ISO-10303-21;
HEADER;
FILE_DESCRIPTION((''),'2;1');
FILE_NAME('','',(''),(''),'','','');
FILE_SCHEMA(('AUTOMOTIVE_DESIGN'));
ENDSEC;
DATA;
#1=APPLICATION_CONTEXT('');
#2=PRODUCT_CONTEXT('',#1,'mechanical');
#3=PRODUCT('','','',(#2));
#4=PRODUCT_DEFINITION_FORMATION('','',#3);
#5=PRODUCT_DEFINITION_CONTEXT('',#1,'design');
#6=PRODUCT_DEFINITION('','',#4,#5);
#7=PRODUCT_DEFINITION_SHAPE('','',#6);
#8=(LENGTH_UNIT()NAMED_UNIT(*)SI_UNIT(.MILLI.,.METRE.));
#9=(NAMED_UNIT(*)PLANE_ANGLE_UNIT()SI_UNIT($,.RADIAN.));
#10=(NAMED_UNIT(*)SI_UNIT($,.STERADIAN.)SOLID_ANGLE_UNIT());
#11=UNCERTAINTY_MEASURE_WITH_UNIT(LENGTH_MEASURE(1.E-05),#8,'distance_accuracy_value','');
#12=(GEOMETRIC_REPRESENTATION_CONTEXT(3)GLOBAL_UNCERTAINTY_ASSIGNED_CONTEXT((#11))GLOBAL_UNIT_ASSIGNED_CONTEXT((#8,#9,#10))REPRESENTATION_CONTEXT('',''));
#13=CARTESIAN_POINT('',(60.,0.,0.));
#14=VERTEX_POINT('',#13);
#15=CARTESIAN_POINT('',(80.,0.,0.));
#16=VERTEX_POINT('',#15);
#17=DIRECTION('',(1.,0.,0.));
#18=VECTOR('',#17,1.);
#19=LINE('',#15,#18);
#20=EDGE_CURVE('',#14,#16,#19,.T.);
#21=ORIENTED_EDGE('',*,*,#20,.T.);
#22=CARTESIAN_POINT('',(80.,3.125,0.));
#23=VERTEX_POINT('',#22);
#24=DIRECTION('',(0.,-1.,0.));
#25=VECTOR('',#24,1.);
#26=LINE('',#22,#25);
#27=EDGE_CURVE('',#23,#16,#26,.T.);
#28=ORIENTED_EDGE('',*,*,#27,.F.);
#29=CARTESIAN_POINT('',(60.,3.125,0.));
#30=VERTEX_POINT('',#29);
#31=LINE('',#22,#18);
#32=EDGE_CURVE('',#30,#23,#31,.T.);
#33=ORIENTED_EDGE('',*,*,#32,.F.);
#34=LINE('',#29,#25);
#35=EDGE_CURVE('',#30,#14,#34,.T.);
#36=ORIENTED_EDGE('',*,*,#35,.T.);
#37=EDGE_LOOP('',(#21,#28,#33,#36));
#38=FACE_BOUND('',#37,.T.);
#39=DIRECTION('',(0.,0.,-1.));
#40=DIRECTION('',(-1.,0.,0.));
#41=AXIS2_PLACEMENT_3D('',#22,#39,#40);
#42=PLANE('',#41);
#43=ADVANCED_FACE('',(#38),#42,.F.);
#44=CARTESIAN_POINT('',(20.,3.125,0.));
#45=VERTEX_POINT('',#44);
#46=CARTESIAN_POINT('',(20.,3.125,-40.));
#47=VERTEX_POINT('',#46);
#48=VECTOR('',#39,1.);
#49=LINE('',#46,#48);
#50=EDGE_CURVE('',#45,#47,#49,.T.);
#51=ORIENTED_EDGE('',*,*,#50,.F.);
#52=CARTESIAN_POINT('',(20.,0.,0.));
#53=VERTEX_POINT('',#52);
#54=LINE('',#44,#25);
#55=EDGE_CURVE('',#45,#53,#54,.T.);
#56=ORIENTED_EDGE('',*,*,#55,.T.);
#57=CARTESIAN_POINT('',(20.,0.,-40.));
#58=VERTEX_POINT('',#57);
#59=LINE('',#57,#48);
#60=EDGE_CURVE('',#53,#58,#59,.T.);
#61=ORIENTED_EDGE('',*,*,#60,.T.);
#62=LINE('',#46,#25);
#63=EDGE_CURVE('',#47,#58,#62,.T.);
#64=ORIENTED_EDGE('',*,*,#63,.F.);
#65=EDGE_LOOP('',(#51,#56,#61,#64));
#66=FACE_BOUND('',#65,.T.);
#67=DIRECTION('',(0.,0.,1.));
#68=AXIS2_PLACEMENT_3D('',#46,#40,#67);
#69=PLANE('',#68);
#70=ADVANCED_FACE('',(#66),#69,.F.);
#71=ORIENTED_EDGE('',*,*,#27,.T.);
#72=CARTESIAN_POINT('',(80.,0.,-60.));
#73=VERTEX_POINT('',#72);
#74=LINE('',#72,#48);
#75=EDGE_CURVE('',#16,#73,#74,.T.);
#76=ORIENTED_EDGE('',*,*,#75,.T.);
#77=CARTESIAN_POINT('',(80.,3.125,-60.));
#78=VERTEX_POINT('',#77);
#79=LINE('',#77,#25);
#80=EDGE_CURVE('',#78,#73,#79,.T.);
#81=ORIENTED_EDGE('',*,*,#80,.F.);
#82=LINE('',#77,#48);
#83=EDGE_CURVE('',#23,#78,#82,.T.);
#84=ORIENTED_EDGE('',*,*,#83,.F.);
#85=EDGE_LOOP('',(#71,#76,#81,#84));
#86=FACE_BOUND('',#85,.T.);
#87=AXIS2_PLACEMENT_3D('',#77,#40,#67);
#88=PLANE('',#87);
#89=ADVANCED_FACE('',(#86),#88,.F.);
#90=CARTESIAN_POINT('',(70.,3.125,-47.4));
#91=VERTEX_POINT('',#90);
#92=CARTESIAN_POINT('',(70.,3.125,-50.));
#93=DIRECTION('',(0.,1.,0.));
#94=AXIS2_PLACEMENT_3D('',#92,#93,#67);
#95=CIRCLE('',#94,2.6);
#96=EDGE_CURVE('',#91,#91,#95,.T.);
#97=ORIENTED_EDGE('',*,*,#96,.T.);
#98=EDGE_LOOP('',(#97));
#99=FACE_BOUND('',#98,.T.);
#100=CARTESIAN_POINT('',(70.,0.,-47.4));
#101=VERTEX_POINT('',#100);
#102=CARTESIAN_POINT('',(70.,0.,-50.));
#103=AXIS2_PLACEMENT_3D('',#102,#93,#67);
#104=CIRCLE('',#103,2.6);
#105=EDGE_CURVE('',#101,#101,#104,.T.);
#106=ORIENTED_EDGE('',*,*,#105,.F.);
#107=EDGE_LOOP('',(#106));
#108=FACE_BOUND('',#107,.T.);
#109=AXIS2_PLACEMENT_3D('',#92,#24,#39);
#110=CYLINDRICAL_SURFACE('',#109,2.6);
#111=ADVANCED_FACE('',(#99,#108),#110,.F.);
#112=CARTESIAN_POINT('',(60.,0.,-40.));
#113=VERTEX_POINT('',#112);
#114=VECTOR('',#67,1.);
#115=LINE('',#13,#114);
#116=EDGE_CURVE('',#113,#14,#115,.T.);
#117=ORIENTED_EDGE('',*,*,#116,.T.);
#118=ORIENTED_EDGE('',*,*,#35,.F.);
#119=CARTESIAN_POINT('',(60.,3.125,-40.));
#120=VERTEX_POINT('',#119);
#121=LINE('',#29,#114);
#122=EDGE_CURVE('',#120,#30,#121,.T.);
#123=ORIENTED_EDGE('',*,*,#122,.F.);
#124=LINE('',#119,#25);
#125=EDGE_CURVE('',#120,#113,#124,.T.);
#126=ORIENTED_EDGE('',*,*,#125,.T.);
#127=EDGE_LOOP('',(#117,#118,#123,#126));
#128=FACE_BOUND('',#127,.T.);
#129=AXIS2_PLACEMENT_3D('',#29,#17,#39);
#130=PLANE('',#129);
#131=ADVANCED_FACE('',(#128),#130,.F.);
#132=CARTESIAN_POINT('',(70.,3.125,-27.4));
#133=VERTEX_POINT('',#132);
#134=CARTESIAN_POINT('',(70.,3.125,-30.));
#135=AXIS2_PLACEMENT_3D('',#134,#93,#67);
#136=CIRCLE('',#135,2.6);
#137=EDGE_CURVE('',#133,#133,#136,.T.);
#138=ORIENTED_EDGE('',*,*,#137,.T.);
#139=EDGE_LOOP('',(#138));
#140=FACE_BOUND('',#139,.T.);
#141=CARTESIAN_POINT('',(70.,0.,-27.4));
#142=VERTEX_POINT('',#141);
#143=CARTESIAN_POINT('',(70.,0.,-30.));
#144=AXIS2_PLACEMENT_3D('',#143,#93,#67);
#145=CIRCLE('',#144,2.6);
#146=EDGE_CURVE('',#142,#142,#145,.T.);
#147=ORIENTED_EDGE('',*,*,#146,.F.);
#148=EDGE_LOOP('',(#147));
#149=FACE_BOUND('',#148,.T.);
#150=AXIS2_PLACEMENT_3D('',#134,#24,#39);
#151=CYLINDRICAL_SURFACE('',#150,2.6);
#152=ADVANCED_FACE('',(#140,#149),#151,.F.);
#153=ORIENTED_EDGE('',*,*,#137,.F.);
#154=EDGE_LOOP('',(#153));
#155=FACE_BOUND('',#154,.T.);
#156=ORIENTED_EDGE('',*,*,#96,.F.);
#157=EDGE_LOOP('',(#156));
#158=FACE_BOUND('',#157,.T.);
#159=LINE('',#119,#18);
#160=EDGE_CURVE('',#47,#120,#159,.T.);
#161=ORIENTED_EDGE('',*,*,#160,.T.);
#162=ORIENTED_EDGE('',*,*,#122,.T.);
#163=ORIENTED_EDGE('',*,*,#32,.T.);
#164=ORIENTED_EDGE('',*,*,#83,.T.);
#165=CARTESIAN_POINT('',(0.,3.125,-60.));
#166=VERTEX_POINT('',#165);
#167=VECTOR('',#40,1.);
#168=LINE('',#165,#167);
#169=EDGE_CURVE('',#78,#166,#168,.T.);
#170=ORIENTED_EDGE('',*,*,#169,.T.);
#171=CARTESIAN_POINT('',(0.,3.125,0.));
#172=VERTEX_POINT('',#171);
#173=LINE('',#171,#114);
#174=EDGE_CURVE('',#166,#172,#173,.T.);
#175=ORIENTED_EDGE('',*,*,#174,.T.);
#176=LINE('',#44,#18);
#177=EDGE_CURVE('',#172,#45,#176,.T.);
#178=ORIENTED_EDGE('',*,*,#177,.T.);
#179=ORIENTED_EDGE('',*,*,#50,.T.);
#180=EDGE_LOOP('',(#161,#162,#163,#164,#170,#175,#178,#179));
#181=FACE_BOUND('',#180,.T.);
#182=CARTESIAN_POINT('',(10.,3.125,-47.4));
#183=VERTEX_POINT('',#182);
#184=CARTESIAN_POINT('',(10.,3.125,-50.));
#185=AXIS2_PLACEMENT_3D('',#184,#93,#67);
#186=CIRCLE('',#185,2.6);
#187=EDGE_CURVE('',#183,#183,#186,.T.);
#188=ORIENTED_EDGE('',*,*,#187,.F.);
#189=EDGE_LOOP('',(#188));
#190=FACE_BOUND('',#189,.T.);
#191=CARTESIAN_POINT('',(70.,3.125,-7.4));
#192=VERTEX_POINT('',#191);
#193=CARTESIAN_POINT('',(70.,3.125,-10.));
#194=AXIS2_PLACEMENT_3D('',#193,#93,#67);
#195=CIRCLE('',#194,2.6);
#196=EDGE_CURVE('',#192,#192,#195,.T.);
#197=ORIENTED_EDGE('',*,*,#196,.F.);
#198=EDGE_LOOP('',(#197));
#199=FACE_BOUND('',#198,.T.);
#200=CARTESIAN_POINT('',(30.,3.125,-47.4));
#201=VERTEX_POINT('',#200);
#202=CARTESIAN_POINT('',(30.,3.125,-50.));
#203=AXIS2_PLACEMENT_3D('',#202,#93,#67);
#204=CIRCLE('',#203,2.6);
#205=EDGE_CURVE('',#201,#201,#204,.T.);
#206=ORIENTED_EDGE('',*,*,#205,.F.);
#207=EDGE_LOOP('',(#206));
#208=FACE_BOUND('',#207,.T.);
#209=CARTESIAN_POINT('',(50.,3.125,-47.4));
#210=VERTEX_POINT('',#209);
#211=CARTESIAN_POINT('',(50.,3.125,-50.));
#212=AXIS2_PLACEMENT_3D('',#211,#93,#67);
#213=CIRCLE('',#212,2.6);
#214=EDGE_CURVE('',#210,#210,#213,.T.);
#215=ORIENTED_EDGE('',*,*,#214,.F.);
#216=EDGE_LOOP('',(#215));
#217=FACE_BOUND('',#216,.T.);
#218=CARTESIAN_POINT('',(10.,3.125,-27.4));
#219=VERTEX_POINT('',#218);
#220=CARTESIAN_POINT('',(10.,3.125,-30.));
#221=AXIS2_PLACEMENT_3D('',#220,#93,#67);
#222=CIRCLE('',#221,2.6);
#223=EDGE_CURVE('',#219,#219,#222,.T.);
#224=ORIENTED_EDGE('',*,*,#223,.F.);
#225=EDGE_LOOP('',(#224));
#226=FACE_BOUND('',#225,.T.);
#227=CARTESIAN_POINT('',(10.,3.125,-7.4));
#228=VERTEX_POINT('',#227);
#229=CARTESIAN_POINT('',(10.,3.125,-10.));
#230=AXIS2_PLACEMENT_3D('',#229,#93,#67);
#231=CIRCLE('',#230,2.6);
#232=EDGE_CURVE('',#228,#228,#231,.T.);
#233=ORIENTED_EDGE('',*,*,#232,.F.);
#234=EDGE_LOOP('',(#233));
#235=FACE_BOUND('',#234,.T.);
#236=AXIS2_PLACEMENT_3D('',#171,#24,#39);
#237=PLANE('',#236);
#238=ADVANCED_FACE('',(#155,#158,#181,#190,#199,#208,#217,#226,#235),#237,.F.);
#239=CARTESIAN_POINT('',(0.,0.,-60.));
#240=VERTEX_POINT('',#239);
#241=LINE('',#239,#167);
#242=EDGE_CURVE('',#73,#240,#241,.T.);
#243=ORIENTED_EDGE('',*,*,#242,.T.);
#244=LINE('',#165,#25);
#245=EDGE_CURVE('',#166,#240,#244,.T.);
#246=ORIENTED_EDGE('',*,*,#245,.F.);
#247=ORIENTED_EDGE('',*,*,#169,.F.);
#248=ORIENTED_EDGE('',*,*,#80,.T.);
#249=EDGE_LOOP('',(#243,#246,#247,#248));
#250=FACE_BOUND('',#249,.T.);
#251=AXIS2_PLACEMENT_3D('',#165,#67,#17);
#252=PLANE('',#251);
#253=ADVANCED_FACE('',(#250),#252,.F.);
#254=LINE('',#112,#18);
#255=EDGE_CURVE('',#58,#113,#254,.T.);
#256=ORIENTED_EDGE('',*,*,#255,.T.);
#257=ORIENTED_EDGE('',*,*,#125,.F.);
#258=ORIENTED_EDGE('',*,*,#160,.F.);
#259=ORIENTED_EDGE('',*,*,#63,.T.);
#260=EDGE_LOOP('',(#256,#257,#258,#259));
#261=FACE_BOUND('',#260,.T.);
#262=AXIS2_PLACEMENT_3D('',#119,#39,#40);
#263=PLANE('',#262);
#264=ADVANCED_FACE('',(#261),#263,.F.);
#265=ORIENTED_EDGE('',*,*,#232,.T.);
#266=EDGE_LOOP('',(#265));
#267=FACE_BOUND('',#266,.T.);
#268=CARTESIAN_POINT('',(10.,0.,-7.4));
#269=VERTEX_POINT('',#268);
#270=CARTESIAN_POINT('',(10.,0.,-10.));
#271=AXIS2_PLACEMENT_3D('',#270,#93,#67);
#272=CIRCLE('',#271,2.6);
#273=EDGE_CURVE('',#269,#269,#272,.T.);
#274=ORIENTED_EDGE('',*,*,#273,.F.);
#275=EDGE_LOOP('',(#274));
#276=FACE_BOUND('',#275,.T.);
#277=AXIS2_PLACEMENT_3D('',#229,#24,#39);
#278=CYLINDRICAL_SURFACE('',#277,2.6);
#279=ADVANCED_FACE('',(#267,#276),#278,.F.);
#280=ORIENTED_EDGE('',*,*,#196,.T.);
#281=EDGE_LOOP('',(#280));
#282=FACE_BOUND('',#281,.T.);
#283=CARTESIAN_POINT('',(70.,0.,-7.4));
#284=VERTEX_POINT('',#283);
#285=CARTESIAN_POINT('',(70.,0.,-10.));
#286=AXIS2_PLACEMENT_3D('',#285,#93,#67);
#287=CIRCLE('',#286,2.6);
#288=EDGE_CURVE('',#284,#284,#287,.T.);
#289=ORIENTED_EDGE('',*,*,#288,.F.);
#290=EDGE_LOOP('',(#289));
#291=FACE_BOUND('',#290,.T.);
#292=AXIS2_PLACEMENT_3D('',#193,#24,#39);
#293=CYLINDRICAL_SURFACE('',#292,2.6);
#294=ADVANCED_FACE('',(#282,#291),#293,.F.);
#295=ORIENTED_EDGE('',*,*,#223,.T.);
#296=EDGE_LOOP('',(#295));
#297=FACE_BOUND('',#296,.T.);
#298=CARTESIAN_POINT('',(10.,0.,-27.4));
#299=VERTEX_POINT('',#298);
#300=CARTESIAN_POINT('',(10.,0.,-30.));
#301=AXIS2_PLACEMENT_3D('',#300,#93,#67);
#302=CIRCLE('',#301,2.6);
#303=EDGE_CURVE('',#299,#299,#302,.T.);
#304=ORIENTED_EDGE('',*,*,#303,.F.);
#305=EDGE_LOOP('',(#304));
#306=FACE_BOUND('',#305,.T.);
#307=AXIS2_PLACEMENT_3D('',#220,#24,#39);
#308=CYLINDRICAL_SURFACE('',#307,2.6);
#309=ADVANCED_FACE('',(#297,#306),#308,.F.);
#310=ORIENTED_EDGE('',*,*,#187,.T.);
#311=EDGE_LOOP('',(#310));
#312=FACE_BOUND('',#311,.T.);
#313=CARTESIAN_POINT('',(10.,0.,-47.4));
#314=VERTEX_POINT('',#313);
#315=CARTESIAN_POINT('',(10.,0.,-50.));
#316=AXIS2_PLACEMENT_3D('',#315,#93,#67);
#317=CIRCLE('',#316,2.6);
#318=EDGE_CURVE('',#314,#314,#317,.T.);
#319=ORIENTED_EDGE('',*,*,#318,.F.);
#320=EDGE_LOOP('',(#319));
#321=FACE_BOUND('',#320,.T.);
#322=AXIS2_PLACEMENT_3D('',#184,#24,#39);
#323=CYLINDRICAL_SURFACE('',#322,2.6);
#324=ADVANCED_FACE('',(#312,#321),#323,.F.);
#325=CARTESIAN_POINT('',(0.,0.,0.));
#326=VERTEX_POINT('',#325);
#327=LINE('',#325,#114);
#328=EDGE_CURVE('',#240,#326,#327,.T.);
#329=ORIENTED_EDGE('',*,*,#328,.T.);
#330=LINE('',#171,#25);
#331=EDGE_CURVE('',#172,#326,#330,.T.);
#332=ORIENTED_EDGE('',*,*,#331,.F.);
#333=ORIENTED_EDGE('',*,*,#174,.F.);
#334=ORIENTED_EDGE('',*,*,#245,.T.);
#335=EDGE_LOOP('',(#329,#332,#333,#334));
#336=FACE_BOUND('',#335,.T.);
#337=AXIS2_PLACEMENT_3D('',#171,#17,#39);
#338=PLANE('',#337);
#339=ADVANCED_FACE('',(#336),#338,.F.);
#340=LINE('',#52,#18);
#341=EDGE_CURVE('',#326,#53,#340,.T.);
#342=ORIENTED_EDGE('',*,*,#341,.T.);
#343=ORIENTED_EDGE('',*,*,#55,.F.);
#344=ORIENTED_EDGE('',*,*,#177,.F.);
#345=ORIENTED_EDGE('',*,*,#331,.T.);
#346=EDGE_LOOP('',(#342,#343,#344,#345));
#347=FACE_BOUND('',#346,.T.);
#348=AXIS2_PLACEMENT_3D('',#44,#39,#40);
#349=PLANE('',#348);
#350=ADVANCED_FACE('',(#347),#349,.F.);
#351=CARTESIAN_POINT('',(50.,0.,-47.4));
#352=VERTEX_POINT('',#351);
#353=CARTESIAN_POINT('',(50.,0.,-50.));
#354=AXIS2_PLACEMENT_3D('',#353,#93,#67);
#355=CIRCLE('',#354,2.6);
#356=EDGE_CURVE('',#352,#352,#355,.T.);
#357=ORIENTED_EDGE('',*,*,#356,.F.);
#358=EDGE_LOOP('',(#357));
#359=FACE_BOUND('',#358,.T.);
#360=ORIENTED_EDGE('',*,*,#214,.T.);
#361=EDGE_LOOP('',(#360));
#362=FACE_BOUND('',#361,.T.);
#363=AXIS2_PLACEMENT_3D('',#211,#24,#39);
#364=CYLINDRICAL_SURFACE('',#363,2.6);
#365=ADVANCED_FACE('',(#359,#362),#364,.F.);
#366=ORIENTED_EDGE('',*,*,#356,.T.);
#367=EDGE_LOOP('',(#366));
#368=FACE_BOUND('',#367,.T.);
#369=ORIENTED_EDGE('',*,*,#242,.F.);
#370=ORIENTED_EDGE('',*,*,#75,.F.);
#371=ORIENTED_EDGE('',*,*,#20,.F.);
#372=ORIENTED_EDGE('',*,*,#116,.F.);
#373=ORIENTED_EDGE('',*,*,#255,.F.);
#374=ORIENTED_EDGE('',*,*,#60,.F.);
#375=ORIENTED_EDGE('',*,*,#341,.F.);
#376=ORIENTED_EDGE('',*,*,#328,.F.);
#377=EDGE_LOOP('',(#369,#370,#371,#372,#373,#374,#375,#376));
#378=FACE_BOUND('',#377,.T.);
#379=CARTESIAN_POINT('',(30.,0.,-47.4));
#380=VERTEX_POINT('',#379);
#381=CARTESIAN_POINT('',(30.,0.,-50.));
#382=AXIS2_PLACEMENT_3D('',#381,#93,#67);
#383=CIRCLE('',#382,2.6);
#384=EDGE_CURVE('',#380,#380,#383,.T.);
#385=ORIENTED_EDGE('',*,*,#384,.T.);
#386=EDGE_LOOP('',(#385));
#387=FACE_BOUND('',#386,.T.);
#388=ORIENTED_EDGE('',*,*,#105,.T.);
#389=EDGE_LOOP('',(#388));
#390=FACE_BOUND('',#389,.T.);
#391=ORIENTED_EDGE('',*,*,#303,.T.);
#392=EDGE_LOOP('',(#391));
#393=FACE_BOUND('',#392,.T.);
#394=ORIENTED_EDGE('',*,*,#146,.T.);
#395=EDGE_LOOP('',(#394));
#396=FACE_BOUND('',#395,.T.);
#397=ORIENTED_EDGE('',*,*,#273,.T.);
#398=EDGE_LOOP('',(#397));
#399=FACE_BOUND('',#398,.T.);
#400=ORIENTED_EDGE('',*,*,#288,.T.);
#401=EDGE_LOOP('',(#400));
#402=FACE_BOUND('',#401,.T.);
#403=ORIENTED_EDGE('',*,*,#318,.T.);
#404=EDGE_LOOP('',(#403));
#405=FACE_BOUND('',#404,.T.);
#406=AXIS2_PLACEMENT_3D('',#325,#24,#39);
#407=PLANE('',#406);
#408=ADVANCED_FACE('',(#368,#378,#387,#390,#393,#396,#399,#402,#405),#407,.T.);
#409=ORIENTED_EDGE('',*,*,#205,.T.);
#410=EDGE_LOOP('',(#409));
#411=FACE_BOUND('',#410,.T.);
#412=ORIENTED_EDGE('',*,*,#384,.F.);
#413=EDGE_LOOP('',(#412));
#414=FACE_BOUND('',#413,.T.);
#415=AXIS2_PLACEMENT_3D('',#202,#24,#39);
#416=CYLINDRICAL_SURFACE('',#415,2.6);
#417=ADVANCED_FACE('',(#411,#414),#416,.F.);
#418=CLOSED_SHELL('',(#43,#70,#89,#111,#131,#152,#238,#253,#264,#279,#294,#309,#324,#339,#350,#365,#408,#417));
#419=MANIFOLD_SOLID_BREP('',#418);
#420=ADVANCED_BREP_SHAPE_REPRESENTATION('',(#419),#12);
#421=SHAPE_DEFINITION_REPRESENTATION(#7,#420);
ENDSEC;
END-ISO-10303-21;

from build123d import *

# Parameters (mm, degrees)
SKETCH1_R           = 2.6
BOSS_EXTRUDE1_DEPTH = 3.125


with BuildPart() as part:
    # Sketch1 → Boss-Extrude1 (new body)
    with BuildSketch(Plane(origin=(0, 0, 0), x_dir=(1, 0, 0), z_dir=(0, 1, 0))):
        Polygon((0, 0), (0, 60), (80, 60), (80, 0), (60, 0), (60, 40), (20, 40), (20, 0), align=None)
        with Locations((10, 50)):
            Circle(SKETCH1_R, mode=Mode.SUBTRACT)
        with Locations((10, 30)):
            Circle(SKETCH1_R, mode=Mode.SUBTRACT)
        with Locations((10, 10)):
            Circle(SKETCH1_R, mode=Mode.SUBTRACT)
        with Locations((30, 50)):
            Circle(SKETCH1_R, mode=Mode.SUBTRACT)
        with Locations((50, 50)):
            Circle(SKETCH1_R, mode=Mode.SUBTRACT)
        with Locations((70, 50)):
            Circle(SKETCH1_R, mode=Mode.SUBTRACT)
        with Locations((70, 30)):
            Circle(SKETCH1_R, mode=Mode.SUBTRACT)
        with Locations((70, 10)):
            Circle(SKETCH1_R, mode=Mode.SUBTRACT)
    extrude(amount=BOSS_EXTRUDE1_DEPTH)


solid = part.part
